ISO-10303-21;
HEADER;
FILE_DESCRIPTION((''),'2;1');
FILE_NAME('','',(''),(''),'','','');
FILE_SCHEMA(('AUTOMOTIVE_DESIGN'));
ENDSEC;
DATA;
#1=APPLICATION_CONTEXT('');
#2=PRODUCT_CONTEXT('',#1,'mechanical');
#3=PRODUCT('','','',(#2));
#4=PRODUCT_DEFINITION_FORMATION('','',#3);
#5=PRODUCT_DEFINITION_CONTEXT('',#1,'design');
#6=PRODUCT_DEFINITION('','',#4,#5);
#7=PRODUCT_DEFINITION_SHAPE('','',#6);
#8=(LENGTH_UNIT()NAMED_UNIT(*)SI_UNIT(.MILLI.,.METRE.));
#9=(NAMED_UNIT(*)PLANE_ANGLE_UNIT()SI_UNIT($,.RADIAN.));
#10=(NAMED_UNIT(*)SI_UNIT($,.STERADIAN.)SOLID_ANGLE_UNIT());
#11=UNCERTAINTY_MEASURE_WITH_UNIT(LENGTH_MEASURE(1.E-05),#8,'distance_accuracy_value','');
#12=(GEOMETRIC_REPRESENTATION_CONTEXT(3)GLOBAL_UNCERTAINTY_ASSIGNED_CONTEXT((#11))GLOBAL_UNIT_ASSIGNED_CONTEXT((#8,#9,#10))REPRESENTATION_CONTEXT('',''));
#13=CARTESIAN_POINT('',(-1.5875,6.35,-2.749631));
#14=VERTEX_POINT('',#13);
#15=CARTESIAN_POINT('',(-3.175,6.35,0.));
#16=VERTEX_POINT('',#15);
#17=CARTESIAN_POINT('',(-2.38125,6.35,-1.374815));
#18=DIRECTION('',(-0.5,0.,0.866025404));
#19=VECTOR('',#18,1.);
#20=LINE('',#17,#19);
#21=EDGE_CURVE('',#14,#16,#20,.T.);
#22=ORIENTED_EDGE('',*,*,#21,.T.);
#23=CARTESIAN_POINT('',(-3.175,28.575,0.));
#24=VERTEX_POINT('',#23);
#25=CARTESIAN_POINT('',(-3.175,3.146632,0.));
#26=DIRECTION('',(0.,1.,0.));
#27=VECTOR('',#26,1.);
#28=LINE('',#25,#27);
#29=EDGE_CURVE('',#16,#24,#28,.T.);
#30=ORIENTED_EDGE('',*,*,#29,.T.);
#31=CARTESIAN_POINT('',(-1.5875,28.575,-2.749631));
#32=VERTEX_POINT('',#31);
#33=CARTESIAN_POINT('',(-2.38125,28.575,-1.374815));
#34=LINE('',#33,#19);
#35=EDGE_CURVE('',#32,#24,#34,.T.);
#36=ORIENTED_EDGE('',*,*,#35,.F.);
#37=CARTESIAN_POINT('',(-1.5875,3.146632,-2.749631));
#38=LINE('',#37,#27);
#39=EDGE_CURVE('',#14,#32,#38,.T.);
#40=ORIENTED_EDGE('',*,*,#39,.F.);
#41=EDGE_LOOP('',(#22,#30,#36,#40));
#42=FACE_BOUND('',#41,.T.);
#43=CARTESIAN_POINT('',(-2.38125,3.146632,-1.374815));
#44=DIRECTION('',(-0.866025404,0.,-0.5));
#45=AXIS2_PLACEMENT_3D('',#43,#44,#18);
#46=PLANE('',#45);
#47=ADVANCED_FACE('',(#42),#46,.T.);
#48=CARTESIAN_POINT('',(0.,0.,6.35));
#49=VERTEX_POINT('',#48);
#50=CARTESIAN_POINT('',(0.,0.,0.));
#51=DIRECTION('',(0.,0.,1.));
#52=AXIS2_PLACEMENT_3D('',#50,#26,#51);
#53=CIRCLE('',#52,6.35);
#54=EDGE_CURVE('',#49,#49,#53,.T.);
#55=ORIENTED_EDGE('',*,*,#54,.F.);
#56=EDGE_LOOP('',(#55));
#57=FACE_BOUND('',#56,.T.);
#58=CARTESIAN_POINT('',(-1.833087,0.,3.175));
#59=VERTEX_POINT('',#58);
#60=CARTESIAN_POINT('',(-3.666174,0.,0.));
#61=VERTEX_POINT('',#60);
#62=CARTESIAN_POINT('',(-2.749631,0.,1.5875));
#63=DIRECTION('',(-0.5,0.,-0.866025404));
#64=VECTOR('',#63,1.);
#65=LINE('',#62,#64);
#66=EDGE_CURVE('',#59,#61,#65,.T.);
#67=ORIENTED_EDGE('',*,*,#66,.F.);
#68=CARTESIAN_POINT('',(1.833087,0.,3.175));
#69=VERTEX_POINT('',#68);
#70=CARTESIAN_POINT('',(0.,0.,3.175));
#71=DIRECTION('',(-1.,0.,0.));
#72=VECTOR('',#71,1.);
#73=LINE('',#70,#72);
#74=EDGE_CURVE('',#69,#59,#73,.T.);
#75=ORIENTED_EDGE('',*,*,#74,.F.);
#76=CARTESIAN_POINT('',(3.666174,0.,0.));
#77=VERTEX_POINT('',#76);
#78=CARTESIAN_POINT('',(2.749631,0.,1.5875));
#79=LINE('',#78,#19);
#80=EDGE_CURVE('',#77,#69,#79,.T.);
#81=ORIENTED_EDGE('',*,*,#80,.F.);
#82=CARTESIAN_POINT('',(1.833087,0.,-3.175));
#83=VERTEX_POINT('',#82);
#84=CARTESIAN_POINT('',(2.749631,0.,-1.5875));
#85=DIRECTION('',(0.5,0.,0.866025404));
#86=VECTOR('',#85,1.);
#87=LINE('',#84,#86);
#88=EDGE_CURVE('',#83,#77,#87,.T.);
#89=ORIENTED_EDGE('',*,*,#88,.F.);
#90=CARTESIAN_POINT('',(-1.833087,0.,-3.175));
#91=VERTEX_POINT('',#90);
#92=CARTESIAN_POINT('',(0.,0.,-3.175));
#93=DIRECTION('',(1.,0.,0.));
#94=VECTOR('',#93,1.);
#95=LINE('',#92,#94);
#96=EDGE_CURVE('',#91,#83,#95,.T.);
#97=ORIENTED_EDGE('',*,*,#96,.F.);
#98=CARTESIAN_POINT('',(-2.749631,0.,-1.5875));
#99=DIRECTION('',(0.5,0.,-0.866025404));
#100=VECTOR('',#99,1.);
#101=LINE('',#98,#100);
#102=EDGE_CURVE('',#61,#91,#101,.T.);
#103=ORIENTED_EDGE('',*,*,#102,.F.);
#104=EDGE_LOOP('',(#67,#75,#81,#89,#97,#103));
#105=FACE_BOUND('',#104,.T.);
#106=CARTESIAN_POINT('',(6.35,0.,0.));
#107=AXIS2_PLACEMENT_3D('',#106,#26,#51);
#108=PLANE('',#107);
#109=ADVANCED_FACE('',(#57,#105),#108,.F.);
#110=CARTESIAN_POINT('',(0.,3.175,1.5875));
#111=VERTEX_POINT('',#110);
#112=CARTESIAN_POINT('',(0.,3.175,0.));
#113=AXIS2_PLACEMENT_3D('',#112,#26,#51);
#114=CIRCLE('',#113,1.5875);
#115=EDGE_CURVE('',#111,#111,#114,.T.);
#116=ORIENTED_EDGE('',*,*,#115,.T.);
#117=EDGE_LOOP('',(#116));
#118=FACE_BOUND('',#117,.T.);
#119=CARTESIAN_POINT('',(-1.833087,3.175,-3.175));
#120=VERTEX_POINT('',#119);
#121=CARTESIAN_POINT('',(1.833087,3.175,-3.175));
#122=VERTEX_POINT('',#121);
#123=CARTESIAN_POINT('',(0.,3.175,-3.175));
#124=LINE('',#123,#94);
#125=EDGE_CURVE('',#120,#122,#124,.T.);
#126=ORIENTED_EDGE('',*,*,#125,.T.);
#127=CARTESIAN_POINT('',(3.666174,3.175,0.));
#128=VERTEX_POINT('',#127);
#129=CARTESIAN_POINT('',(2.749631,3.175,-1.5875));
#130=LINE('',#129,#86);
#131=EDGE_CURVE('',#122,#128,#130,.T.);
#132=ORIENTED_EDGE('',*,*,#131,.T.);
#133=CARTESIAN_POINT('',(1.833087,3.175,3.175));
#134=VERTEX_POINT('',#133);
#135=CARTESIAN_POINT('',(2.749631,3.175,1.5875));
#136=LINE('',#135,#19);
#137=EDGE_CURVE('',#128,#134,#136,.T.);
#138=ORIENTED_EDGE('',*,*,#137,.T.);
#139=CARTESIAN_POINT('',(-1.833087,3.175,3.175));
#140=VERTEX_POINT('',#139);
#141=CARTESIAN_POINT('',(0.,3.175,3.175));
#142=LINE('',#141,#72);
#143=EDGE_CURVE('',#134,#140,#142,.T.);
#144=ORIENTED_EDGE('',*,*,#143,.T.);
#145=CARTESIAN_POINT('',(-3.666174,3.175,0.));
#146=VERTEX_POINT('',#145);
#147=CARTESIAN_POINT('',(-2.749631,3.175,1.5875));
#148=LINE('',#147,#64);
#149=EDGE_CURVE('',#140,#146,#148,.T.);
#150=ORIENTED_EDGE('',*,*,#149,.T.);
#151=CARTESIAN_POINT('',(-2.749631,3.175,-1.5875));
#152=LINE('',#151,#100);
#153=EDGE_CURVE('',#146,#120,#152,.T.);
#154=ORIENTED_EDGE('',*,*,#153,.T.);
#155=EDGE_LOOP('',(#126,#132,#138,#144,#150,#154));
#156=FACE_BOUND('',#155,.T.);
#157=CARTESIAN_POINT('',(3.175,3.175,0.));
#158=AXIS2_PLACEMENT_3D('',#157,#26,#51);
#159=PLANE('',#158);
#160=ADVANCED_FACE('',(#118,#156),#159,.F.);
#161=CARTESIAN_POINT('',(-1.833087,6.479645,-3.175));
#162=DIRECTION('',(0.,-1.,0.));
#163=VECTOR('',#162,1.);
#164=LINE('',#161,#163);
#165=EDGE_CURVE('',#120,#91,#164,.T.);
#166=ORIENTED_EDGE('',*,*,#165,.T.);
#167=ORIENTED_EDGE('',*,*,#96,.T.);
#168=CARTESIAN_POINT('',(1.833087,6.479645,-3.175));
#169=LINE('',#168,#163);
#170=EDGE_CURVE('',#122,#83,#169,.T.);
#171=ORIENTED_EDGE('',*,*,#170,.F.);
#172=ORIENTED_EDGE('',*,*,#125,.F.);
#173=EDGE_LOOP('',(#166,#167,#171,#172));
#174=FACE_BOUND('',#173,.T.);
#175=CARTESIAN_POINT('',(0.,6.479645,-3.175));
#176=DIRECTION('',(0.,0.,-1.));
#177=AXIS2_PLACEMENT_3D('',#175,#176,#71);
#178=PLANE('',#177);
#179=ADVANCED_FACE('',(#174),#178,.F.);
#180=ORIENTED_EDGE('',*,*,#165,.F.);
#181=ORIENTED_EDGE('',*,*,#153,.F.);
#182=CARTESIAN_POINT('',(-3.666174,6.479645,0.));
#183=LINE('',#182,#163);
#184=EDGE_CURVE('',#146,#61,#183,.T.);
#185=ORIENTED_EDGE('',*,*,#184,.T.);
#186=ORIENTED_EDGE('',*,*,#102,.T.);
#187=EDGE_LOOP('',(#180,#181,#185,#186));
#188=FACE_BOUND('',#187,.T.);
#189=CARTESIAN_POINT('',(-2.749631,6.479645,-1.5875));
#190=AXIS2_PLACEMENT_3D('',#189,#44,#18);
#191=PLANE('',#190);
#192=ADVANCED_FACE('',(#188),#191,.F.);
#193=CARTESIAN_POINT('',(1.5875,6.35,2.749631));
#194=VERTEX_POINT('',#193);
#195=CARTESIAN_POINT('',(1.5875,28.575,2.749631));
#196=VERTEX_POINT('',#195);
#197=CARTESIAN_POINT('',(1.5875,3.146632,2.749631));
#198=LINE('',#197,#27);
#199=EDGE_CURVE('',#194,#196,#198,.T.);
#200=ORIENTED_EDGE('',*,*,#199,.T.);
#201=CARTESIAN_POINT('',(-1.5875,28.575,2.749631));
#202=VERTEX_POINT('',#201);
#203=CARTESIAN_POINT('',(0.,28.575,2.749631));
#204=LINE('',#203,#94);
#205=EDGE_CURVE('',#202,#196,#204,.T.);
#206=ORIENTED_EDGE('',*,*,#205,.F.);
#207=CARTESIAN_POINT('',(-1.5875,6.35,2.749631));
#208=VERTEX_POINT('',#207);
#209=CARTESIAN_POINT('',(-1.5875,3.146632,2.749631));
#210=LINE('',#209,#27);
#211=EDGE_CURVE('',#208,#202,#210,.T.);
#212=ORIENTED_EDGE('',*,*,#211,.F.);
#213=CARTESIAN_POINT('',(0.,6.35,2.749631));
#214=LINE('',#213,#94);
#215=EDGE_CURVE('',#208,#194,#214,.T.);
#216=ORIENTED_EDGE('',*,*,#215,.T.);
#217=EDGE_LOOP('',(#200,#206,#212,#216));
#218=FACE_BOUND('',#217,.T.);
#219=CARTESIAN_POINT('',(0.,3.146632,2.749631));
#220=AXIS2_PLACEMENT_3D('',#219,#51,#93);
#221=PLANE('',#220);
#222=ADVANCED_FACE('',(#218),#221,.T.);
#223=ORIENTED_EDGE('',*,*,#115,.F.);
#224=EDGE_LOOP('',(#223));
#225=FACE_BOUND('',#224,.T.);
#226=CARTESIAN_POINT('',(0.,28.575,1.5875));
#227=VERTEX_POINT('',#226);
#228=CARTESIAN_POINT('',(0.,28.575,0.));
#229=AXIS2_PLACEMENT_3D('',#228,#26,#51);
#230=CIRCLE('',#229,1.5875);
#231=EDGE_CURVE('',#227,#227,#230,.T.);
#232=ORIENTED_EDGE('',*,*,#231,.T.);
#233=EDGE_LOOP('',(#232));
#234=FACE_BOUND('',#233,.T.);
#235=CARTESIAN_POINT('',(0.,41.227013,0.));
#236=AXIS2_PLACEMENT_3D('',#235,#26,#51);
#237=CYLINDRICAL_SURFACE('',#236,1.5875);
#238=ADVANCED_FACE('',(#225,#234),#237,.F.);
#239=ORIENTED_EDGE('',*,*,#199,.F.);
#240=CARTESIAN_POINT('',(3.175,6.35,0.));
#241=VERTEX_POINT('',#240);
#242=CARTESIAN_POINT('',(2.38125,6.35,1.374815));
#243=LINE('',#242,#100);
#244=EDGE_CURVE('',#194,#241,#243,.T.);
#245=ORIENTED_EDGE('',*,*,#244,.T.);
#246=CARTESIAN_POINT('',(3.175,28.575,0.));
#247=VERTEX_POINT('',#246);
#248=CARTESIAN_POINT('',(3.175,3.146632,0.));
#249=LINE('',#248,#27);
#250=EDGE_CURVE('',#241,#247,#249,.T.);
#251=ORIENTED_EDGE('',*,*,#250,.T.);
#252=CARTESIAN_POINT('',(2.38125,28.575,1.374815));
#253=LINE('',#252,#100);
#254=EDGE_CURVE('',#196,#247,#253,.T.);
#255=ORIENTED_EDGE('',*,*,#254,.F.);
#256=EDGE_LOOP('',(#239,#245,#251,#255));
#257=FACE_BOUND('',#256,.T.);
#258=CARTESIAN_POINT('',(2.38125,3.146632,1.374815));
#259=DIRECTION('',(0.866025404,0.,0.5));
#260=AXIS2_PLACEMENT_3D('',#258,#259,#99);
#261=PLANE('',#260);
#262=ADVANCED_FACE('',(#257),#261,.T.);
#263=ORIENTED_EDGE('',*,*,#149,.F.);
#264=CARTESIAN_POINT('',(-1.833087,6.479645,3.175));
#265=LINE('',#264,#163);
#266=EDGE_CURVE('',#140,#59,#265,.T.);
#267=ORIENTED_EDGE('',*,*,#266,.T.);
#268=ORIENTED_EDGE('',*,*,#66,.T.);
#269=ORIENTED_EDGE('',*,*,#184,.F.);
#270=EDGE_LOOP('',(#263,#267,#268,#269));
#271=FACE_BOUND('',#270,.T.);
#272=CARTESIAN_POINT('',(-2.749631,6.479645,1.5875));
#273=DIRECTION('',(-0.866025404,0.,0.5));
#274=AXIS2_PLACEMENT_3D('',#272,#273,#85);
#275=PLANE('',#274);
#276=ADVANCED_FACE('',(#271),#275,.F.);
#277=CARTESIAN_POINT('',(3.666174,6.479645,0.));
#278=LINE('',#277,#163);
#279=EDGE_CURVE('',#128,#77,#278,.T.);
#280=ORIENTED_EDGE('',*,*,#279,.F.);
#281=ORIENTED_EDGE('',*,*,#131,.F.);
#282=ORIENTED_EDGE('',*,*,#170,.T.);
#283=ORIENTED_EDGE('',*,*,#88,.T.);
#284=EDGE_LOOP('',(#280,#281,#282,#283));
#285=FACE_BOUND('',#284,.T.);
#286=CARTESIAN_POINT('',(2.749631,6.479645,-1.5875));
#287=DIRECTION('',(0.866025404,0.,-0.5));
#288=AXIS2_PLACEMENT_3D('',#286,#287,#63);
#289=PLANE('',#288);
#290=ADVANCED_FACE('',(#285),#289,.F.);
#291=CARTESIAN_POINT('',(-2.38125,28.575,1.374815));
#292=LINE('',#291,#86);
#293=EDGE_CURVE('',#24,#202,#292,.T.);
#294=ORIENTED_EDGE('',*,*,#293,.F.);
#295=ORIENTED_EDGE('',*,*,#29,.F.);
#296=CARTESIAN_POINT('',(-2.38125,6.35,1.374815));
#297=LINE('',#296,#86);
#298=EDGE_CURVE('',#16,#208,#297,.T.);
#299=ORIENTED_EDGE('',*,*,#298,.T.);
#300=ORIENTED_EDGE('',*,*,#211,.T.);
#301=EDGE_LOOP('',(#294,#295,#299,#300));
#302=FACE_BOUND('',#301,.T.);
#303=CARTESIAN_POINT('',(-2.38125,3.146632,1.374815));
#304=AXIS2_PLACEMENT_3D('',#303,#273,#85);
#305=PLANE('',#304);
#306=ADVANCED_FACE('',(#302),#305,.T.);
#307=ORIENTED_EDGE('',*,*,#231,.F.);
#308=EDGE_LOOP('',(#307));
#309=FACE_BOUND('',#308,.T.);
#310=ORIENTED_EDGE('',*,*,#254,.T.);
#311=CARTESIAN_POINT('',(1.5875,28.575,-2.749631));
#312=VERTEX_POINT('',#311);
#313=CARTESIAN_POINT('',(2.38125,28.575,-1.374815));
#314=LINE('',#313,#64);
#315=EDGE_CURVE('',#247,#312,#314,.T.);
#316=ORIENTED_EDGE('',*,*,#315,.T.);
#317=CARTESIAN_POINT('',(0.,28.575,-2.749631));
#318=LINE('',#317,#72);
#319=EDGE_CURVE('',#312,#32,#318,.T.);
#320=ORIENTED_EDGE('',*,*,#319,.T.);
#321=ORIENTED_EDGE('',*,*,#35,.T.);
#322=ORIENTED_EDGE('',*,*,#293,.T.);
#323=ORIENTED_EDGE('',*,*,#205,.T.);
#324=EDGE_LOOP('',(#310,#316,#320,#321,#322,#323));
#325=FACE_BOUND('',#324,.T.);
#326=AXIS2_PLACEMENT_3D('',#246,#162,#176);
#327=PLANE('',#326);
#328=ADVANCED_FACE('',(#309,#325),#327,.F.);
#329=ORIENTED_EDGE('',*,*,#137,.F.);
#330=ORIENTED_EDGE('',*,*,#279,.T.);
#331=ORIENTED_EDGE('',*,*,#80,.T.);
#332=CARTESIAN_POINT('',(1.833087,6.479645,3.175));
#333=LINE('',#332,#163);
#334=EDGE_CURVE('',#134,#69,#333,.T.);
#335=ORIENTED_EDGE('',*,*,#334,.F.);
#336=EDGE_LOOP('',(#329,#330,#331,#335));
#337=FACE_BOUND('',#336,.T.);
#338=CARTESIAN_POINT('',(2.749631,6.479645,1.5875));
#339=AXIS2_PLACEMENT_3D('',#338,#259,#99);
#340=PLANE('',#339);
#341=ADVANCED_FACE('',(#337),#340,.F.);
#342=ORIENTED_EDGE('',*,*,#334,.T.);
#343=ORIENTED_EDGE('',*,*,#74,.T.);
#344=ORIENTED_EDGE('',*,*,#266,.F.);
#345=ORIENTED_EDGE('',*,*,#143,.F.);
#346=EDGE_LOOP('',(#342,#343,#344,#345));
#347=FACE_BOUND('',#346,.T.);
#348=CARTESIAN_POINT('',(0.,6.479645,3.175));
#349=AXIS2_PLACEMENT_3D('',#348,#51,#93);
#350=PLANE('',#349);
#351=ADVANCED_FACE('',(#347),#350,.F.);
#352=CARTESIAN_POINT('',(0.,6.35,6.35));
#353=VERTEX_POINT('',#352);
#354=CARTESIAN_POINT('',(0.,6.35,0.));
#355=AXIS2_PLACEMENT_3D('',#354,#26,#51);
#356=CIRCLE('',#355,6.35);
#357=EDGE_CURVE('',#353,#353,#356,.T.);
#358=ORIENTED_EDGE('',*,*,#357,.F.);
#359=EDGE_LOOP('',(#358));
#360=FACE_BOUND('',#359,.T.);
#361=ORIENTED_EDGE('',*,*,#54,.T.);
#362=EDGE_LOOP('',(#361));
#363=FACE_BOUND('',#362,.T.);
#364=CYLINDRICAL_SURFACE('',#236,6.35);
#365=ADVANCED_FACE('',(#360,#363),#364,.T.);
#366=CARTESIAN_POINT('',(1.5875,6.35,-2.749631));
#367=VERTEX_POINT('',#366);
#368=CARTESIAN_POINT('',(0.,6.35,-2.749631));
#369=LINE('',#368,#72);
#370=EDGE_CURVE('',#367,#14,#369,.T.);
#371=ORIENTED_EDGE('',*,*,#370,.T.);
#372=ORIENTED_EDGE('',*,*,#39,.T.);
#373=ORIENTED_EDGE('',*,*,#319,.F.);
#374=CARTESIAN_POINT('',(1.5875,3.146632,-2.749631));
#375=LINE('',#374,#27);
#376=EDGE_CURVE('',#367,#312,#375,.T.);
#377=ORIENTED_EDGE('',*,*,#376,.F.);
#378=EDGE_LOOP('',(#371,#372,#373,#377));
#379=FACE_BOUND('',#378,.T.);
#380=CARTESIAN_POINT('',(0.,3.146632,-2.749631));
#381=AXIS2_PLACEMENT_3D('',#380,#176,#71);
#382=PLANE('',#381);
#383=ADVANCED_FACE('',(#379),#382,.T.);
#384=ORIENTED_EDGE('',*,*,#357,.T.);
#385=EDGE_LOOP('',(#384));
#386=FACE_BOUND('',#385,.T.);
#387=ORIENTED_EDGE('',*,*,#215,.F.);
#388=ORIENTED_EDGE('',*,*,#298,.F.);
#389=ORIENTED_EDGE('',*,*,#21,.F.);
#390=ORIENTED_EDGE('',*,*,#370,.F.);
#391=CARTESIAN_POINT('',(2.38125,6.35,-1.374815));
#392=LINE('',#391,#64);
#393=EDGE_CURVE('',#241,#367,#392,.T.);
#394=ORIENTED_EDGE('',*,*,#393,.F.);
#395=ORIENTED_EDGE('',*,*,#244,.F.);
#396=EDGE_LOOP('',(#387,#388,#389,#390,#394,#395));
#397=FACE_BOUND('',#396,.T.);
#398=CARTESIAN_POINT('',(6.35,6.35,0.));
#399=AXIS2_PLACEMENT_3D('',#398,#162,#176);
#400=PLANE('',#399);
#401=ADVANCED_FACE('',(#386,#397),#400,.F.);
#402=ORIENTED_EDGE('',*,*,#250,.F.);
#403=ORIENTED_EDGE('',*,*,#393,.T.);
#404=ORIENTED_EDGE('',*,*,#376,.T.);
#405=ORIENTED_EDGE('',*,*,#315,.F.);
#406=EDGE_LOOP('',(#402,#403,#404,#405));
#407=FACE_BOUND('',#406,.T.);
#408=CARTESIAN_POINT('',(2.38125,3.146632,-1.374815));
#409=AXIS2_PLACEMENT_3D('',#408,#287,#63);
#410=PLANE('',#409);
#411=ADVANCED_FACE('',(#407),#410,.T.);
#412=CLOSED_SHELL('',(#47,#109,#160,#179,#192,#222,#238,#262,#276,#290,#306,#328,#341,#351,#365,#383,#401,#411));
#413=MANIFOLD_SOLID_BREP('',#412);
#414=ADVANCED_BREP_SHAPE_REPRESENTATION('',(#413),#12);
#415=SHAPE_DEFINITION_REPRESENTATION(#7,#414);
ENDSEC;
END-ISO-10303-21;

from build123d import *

# Parameters (mm, degrees)
CUT_EXTRUDE3_DEPTH = 22.225
SKETCH4_R          = 3.175
CUT_EXTRUDE4_DEPTH = 3.175


with BuildPart() as part:
    # Sketch2 → Revolve1 (revolve)
    with BuildSketch(Plane.XY):
        Polygon((6.35, 0), (6.35, 6.35), (3.175, 6.35), (3.175, 28.575), (1.5875, 28.575), (1.5875, 3.175), (3.175, 3.175), (3.175, 0), align=None)
    revolve(axis=Axis((0, 41.227012609, 0), (0, -1, 0)))

    # Sketch3 → Cut-Extrude3 (cut)
    with BuildSketch(Plane(origin=(0, 28.575, 0), x_dir=(1, 0, 0), z_dir=(0, 1, 0))):
        with BuildLine():
            Line((-3.175, 0), (-1.5875, 2.749630657))
            ThreePointArc((-1.5875, 2.749630657), (-2.749630657, 1.5875), (-3.175, 0))
        make_face()
        with BuildLine():
            ThreePointArc((1.5875, 2.749630657), (0, 3.175), (-1.5875, 2.749630657))
            Line((-1.5875, 2.749630657), (1.5875, 2.749630657))
        make_face()
        with BuildLine():
            ThreePointArc((3.175, 0), (2.749630657, 1.5875), (1.5875, 2.749630657))
            Line((1.5875, 2.749630657), (3.175, 0))
        make_face()
        with BuildLine():
            ThreePointArc((1.5875, -2.749630657), (2.749630657, -1.5875), (3.175, 0))
            Line((3.175, 0), (1.5875, -2.749630657))
        make_face()
        with BuildLine():
            Line((1.5875, -2.749630657), (-1.5875, -2.749630657))
            ThreePointArc((-1.5875, -2.749630657), (0, -3.175), (1.5875, -2.749630657))
        make_face()
        with BuildLine():
            Line((-1.5875, -2.749630657), (-3.175, 0))
            ThreePointArc((-3.175, 0), (-2.749630657, -1.5875), (-1.5875, -2.749630657))
        make_face()
    extrude(amount=-CUT_EXTRUDE3_DEPTH, mode=Mode.SUBTRACT)

    # Sketch4 → Cut-Extrude4 (cut)
    with BuildSketch(Plane.XZ):
        with BuildLine():
            ThreePointArc((-2.74963064, 1.58750003), (-1.587499985, 2.749630666), (0, 3.175))
            Line((0, 3.175), (-1.833087105, 3.175))
            Line((-1.833087105, 3.175), (-2.74963064, 1.58750003))
        make_face()
        with BuildLine():
            Line((2.749630611, 1.58750008), (1.833087105, 3.175))
            Line((1.833087105, 3.175), (0, 3.175))
            ThreePointArc((0, 3.175), (1.58749996, 2.74963068), (2.749630611, 1.58750008))
        make_face()
        with BuildLine():
            Line((3.666174209, 0), (2.749630611, 1.58750008))
            ThreePointArc((2.749630611, 1.58750008), (3.066814486, 0.821750513), (3.175, 0))
            ThreePointArc((3.175, 0), (3.066814483, -0.821750528), (2.749630596, -1.587500106))
            Line((2.749630596, -1.587500106), (3.666174209, 0))
        make_face()
        with BuildLine():
            Line((1.833087105, -3.175), (2.749630596, -1.587500106))
            ThreePointArc((2.749630596, -1.587500106), (1.587499947, -2.749630688), (0, -3.175))
            Line((0, -3.175), (1.833087105, -3.175))
        make_face()
        with BuildLine():
            ThreePointArc((0, -3.175), (-1.587499999, -2.749630657), (-2.749630656, -1.587500001))
            Line((-2.749630656, -1.587500001), (-1.833087105, -3.175))
            Line((-1.833087105, -3.175), (0, -3.175))
        make_face()
        with BuildLine():
            ThreePointArc((-2.749630656, -1.587500001), (-3.175, 1.7e-08), (-2.74963064, 1.58750003))
            Line((-2.74963064, 1.58750003), (-3.666174209, 0))
            Line((-3.666174209, 0), (-2.749630656, -1.587500001))
        make_face()
        Circle(SKETCH4_R)
    extrude(amount=-CUT_EXTRUDE4_DEPTH, mode=Mode.SUBTRACT)


solid = part.part
